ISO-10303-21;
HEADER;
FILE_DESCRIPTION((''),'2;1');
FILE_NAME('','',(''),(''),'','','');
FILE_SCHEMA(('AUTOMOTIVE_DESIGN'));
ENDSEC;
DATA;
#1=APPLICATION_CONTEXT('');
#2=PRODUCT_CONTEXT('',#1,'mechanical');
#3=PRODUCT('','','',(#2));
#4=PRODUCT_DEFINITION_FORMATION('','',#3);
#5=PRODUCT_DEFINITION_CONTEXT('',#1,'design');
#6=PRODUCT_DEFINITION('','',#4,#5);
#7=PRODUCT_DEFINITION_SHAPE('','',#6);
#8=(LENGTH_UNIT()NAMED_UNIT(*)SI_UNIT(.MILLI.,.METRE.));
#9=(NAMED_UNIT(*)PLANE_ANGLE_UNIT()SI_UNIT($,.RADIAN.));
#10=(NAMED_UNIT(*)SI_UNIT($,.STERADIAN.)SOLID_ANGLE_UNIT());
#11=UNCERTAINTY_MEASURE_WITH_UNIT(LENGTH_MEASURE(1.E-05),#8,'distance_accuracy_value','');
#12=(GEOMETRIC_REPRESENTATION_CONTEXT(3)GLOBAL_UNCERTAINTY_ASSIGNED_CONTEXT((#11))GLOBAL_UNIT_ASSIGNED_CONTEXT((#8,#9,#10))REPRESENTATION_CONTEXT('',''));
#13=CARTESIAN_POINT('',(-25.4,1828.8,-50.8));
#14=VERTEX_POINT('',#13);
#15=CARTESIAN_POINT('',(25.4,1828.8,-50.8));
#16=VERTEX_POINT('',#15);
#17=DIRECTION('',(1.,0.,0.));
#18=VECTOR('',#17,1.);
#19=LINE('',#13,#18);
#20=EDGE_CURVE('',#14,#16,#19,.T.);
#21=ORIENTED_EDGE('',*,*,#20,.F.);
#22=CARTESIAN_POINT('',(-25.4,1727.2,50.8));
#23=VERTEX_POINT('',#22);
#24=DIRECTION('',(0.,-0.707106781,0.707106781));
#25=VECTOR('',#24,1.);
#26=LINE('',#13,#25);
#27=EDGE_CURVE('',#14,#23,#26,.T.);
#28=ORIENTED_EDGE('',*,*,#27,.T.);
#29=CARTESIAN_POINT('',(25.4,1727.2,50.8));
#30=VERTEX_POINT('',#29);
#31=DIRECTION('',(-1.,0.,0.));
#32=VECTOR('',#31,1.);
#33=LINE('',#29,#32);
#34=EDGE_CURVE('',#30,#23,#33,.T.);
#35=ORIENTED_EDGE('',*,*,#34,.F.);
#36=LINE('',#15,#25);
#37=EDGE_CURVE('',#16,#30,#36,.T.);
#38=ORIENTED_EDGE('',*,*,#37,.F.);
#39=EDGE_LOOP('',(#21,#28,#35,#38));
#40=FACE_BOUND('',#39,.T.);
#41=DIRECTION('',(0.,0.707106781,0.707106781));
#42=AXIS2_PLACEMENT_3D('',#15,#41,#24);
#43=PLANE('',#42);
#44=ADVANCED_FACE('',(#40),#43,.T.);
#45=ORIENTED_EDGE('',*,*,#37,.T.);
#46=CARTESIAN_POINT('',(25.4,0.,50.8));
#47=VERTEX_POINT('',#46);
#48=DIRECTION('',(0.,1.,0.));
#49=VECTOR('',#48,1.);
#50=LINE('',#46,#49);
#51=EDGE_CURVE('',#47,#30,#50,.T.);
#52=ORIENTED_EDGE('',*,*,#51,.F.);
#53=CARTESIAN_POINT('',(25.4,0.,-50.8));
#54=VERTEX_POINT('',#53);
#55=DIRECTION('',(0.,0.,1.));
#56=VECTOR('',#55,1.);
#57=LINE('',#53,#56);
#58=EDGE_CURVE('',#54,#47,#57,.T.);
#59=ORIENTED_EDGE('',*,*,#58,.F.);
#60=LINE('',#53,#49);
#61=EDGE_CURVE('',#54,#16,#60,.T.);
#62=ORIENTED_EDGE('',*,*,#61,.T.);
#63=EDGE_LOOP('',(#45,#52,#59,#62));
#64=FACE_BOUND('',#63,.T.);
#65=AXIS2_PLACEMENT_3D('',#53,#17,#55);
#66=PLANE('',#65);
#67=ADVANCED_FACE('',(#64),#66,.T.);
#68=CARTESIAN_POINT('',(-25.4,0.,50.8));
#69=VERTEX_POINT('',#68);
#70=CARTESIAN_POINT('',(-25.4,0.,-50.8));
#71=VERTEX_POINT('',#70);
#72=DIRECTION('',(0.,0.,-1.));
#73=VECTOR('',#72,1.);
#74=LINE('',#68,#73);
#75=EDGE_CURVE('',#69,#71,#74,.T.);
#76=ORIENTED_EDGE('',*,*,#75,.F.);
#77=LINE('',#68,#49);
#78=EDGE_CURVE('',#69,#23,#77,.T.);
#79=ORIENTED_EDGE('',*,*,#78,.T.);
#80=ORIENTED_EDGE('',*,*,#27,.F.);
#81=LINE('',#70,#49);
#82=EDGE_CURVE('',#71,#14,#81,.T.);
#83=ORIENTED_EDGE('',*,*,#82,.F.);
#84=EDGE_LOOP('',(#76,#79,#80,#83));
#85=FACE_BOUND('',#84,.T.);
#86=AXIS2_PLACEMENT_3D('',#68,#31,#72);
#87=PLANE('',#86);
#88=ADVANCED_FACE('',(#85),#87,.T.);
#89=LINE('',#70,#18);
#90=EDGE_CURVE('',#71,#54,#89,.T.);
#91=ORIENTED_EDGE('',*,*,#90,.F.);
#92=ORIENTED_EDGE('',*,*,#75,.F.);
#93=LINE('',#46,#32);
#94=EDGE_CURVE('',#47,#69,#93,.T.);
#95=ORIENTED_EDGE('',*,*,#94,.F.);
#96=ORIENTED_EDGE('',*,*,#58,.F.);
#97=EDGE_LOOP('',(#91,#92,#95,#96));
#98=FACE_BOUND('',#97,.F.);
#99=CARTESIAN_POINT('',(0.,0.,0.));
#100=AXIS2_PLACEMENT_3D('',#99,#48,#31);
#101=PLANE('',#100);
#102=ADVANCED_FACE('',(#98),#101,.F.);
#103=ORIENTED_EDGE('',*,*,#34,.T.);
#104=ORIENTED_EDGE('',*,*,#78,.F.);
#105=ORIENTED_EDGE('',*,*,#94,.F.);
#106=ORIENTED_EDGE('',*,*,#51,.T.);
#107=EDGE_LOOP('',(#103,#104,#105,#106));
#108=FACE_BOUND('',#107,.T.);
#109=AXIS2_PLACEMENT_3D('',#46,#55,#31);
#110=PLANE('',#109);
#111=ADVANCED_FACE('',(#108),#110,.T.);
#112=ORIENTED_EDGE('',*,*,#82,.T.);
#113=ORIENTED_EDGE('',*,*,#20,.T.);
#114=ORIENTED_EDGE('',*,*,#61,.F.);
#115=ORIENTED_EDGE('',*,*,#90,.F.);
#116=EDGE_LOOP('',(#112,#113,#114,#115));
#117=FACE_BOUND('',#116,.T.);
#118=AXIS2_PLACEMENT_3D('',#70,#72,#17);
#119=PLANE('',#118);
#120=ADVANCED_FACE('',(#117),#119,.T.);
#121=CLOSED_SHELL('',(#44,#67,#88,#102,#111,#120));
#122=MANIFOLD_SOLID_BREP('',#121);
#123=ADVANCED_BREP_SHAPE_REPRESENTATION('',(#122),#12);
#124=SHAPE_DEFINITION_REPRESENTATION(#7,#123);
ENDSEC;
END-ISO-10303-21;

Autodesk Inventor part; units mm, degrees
ref_plane "YZ Plane" through (0, 0, 0) normal (1, 0, 0) x (0, 1, 0)
ref_plane "XZ Plane" through (0, 0, 0) normal (0, 1, 0) x (-1, 0, 0)
ref_plane "XY Plane" through (0, 0, 0) normal (0, 0, 1) x (1, 0, 0)
sketch "Sketch1" plane through (0, 0, 0) normal (0, 1, 0) x (-1, 0, 0)
  line L0 (-25.4, 50.8) -> (25.4, 50.8)
  line L1 (25.4, 50.8) -> (25.4, -50.8)
  line L2 (25.4, -50.8) -> (-25.4, -50.8)
  line L3 (-25.4, -50.8) -> (-25.4, 50.8)
  line L4 (-25.4, 50.8) -> (25.4, -50.8) construction
  line L5 (25.4, 50.8) -> (-25.4, -50.8) construction
  point P0 (0, 0)
  dimension "d0" = 50.8
  dimension "d1" = 101.6
extrude "Extrusion1" add sketch "Sketch1" along normal blind 1828.8
sketch "Sketch2" plane through (25.4, 0, 50.8) normal (1, 0, 0) x (0, 0, -1)
  line L0 (101.6, 1828.8) -> (0, 1828.8) projected
  line L1 (101.6, 1828.8) -> (0, 1727.2)
  line L2 (0, 0) -> (0, 1828.8) projected
  line L3 (0, 1727.2) -> (0, 1828.8)
  line L4 (101.6, 1828.8) -> (0, 1828.8)
  point P0 (50.8, 0)
  dimension "d4" = 45
extrude "Extrusion2" cut sketch "Sketch2" against normal blind 50.8
sketch "Sketch3" plane through (0, 0, 0) normal (0, -1, 0) x (1, 0, 0)
  line L0 (25.4, -50.8) -> (-25.4, -50.8) projected
  line L1 (-25.4, 50.8) -> (25.4, 50.8) projected
  line L2 (25.4, -50.8) -> (-25.4, -50.8)
  line L3 (-25.4, -50.8) -> (-25.4, 50.8)
  line L4 (-25.4, 50.8) -> (25.4, 50.8)
  line L5 (25.4, 50.8) -> (25.4, -50.8)
  point P0 (0, 0)
properties part number "2x4x72 (45 90)" material "Wood (Birch)"
